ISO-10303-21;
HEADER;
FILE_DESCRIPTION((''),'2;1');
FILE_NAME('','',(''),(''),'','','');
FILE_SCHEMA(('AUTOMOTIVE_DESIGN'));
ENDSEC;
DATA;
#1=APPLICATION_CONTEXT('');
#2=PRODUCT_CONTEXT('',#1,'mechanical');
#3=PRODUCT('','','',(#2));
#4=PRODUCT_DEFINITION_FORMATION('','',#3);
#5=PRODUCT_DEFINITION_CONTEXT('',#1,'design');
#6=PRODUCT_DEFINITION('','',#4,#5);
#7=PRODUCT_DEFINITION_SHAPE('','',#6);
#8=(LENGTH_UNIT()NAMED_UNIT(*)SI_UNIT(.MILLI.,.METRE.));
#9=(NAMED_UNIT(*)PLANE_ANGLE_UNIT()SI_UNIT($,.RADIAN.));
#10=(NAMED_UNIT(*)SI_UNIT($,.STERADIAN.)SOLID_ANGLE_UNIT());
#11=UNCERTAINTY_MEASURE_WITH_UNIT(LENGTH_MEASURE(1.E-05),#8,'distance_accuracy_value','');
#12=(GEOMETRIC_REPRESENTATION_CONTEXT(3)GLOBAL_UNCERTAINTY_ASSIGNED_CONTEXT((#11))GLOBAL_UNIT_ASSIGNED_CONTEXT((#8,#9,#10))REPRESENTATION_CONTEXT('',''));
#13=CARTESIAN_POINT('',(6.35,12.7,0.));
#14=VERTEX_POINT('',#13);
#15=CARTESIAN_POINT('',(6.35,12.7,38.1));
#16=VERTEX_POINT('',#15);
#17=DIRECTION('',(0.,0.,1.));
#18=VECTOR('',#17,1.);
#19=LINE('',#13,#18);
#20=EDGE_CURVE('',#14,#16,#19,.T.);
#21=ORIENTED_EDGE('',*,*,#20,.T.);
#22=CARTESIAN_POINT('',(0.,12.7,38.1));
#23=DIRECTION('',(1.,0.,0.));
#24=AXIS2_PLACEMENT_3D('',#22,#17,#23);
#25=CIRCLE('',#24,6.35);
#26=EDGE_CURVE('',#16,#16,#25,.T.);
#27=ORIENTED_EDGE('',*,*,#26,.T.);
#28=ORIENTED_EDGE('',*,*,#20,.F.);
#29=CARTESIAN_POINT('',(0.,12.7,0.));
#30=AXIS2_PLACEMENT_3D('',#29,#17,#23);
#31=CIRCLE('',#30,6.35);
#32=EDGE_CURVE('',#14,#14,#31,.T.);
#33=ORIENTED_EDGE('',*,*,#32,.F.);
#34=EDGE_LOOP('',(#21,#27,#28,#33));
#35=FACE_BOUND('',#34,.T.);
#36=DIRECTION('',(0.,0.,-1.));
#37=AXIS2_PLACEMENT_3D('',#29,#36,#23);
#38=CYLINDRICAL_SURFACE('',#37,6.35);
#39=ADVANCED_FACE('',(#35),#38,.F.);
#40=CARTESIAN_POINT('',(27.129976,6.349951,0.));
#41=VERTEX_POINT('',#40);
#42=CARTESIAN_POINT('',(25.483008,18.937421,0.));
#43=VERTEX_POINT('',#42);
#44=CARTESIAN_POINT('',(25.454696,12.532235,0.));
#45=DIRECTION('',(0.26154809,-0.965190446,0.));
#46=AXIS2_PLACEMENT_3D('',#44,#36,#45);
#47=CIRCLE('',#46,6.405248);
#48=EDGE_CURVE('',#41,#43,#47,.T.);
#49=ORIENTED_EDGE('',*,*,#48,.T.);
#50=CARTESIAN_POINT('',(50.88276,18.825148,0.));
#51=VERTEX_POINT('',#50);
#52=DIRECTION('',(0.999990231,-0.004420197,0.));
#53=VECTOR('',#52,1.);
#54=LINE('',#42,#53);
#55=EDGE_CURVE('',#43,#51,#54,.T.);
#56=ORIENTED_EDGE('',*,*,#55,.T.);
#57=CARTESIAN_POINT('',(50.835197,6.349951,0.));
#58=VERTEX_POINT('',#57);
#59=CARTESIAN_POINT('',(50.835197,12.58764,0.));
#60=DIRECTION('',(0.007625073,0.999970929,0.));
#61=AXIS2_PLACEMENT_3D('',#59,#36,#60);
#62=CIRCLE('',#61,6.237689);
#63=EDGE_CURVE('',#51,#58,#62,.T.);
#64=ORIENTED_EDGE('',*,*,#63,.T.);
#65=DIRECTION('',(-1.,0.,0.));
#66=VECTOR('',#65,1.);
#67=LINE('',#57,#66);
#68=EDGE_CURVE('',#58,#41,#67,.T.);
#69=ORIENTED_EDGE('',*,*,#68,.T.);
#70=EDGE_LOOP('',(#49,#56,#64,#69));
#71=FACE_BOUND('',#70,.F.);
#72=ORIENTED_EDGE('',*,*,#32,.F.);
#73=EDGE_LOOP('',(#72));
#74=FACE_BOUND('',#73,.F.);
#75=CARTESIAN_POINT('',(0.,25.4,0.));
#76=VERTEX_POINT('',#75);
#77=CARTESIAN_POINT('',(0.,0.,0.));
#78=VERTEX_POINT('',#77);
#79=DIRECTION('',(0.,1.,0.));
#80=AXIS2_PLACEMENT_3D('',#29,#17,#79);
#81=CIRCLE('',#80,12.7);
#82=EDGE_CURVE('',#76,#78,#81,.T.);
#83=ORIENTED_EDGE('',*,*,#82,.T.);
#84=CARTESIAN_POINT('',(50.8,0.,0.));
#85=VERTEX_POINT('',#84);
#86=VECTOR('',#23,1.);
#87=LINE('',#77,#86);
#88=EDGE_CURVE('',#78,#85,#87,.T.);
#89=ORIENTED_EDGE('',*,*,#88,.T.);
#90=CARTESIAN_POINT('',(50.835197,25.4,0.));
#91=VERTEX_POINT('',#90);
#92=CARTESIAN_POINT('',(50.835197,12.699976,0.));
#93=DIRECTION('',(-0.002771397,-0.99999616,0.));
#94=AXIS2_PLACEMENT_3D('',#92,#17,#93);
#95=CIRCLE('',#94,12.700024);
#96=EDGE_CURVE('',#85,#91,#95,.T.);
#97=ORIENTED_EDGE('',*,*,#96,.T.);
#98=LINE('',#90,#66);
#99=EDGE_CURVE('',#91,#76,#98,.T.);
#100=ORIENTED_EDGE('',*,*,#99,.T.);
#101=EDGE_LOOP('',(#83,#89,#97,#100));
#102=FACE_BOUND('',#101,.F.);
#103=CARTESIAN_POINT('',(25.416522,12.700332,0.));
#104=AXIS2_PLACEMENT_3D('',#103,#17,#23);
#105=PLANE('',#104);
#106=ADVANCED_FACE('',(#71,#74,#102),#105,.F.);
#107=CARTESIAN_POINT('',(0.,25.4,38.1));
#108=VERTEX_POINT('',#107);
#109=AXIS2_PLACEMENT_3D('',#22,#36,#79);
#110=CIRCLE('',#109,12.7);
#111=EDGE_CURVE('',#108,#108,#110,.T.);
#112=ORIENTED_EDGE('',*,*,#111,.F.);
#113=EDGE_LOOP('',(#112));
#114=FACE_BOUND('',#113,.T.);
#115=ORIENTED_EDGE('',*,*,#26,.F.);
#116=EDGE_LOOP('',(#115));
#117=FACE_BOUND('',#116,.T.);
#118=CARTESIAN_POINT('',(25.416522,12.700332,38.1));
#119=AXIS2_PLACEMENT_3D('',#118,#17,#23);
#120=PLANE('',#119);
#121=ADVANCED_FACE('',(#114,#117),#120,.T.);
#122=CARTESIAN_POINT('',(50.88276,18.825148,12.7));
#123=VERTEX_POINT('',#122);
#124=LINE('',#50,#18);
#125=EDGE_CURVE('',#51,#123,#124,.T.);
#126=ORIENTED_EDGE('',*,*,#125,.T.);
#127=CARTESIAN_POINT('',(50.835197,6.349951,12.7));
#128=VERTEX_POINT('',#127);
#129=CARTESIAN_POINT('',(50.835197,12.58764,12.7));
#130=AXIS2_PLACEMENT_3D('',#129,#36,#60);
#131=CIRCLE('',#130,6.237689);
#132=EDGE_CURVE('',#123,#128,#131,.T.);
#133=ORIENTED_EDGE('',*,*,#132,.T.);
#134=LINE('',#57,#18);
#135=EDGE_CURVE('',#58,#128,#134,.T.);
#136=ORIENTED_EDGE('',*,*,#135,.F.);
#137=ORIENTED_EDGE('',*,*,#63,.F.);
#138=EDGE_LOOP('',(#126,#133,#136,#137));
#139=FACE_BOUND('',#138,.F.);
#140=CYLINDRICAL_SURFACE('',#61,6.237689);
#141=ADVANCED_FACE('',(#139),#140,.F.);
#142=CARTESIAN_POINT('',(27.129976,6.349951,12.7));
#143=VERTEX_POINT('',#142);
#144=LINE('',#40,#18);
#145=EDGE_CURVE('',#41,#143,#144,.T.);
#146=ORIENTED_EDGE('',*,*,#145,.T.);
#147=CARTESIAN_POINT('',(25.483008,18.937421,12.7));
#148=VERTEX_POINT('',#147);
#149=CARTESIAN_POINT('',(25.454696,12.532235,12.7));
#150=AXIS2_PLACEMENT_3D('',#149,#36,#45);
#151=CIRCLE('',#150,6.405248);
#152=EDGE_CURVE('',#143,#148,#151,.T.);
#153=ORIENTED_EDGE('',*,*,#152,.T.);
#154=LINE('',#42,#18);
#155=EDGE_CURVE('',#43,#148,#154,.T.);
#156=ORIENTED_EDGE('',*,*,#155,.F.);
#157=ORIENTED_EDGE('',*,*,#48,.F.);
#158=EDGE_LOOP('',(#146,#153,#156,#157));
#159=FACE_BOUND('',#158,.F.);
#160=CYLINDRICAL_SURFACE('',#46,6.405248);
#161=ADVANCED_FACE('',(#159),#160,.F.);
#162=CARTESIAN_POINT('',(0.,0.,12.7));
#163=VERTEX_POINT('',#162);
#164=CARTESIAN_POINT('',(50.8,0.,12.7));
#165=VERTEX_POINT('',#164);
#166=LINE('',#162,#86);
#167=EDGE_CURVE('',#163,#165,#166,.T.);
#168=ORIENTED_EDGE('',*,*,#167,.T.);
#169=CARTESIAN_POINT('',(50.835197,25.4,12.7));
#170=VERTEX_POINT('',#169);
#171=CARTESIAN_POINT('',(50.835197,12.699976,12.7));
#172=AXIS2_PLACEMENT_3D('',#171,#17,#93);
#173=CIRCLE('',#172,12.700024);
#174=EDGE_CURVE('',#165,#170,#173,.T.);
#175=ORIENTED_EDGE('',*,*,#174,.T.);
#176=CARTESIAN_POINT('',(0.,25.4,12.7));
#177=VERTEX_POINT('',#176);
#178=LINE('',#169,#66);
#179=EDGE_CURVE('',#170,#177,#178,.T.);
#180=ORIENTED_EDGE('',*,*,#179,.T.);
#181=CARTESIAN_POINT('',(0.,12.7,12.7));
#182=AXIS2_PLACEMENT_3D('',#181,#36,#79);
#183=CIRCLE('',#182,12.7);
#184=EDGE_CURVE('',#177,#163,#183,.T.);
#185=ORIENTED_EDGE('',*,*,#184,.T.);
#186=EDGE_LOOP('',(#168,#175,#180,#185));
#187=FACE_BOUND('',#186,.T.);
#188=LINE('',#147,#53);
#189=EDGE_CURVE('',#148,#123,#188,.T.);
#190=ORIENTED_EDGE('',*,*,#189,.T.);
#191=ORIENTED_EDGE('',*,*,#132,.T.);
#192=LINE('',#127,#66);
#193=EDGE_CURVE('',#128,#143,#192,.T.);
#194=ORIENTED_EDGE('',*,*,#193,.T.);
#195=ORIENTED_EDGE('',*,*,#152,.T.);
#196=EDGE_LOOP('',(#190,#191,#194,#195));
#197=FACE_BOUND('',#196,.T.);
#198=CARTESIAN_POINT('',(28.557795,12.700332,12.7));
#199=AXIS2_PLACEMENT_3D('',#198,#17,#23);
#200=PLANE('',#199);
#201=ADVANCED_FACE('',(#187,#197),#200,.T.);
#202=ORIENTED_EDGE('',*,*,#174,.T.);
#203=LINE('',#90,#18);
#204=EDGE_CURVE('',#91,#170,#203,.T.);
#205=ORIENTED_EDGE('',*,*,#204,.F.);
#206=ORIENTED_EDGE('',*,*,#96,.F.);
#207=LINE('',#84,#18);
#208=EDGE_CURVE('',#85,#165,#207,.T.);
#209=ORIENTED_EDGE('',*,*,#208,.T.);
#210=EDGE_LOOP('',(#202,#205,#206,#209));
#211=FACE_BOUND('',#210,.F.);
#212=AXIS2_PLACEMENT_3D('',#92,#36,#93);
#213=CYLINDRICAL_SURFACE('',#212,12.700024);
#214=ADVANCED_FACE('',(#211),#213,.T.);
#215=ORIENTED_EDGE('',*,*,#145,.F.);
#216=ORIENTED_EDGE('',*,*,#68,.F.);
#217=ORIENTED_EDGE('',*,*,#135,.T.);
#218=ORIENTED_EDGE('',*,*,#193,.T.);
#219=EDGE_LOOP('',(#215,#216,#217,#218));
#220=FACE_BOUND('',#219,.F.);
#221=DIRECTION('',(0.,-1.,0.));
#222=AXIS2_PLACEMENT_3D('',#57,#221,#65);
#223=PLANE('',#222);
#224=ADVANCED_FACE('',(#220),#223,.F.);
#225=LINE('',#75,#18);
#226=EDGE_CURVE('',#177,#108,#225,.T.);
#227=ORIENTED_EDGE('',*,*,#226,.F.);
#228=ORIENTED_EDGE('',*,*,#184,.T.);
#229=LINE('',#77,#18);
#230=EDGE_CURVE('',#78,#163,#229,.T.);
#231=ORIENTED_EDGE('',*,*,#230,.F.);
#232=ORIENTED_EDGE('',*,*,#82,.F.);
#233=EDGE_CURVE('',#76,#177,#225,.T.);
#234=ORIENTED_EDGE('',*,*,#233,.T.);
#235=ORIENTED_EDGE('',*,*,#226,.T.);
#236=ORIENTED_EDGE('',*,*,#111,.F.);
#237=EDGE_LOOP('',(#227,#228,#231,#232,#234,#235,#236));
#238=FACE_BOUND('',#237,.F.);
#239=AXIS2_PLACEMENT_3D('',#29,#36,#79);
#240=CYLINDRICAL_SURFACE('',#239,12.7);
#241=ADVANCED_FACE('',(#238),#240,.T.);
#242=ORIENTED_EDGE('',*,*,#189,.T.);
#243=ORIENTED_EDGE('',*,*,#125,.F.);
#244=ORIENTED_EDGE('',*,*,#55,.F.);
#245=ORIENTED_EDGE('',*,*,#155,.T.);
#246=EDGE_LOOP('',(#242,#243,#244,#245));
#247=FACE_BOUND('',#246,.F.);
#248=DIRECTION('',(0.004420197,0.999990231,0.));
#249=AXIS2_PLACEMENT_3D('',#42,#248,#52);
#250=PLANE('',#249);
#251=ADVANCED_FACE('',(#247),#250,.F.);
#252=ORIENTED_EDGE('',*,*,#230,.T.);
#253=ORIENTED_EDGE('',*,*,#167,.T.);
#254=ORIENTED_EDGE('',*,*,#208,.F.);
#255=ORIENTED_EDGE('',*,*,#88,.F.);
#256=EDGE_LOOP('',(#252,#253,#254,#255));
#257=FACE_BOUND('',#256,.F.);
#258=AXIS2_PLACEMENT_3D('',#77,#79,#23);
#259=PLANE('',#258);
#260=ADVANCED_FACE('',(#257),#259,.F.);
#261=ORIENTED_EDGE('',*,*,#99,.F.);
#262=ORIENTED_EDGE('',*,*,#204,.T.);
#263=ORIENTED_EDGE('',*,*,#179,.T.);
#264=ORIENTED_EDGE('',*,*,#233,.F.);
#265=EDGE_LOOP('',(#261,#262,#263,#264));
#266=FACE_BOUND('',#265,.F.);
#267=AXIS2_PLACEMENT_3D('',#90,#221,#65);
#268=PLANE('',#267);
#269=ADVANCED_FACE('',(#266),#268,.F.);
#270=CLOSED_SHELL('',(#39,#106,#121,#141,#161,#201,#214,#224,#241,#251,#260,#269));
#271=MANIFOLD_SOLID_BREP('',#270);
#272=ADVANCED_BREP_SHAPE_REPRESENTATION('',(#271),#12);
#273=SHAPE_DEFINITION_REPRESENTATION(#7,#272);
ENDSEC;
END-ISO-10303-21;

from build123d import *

# Parameters (mm, degrees)
F0_R     = 6.35
F1_DEPTH = 38.1
F3_DEPTH = 25.4


with BuildPart() as f1:
    # F0 (on Top) → F1 (new body)
    with BuildSketch(Plane.XY):
        with BuildLine():
            ThreePointArc((0, 25.4), (-12.7, 12.7), (0, 0))
            Line((0, 0), (50.8, 0))
            ThreePointArc((50.8, 0), (63.535209, 12.682377), (50.835197, 25.4))
            Line((50.835197, 25.4), (0, 25.4))
        make_face()
        with BuildLine():
            Line((25.483008, 18.937421), (50.88276, 18.825148))
            ThreePointArc((50.88276, 18.825148), (57.072841, 12.563859), (50.835197, 6.349951))
            Line((50.835197, 6.349951), (27.129976, 6.349951))
            ThreePointArc((27.129976, 6.349951), (19.103581, 11.701243), (25.483008, 18.937421))
        make_face(mode=Mode.SUBTRACT)
        with Locations((0, 12.7)):
            Circle(F0_R, mode=Mode.SUBTRACT)
    extrude(amount=F1_DEPTH)

    # F2 (on face) → F3 (cut)
    with BuildSketch(Plane.XY.offset(38.1)):
        with BuildLine():
            ThreePointArc((0, 25.4), (12.7, 12.7), (0, 0))
            Line((0, 0), (50.8, 0))
            ThreePointArc((50.8, 0), (63.535209, 12.682377), (50.835197, 25.4))
            Line((50.835197, 25.4), (0, 25.4))
        make_face()
        with BuildLine():
            Line((50.835197, 6.349951), (27.129976, 6.349951))
            ThreePointArc((27.129976, 6.349951), (19.103581, 11.701243), (25.483008, 18.937421))
            Line((25.483008, 18.937421), (50.88276, 18.825148))
            ThreePointArc((50.88276, 18.825148), (57.072841, 12.563859), (50.835197, 6.349951))
        make_face(mode=Mode.SUBTRACT)
    extrude(amount=-F3_DEPTH, mode=Mode.SUBTRACT)


solid = f1.part
